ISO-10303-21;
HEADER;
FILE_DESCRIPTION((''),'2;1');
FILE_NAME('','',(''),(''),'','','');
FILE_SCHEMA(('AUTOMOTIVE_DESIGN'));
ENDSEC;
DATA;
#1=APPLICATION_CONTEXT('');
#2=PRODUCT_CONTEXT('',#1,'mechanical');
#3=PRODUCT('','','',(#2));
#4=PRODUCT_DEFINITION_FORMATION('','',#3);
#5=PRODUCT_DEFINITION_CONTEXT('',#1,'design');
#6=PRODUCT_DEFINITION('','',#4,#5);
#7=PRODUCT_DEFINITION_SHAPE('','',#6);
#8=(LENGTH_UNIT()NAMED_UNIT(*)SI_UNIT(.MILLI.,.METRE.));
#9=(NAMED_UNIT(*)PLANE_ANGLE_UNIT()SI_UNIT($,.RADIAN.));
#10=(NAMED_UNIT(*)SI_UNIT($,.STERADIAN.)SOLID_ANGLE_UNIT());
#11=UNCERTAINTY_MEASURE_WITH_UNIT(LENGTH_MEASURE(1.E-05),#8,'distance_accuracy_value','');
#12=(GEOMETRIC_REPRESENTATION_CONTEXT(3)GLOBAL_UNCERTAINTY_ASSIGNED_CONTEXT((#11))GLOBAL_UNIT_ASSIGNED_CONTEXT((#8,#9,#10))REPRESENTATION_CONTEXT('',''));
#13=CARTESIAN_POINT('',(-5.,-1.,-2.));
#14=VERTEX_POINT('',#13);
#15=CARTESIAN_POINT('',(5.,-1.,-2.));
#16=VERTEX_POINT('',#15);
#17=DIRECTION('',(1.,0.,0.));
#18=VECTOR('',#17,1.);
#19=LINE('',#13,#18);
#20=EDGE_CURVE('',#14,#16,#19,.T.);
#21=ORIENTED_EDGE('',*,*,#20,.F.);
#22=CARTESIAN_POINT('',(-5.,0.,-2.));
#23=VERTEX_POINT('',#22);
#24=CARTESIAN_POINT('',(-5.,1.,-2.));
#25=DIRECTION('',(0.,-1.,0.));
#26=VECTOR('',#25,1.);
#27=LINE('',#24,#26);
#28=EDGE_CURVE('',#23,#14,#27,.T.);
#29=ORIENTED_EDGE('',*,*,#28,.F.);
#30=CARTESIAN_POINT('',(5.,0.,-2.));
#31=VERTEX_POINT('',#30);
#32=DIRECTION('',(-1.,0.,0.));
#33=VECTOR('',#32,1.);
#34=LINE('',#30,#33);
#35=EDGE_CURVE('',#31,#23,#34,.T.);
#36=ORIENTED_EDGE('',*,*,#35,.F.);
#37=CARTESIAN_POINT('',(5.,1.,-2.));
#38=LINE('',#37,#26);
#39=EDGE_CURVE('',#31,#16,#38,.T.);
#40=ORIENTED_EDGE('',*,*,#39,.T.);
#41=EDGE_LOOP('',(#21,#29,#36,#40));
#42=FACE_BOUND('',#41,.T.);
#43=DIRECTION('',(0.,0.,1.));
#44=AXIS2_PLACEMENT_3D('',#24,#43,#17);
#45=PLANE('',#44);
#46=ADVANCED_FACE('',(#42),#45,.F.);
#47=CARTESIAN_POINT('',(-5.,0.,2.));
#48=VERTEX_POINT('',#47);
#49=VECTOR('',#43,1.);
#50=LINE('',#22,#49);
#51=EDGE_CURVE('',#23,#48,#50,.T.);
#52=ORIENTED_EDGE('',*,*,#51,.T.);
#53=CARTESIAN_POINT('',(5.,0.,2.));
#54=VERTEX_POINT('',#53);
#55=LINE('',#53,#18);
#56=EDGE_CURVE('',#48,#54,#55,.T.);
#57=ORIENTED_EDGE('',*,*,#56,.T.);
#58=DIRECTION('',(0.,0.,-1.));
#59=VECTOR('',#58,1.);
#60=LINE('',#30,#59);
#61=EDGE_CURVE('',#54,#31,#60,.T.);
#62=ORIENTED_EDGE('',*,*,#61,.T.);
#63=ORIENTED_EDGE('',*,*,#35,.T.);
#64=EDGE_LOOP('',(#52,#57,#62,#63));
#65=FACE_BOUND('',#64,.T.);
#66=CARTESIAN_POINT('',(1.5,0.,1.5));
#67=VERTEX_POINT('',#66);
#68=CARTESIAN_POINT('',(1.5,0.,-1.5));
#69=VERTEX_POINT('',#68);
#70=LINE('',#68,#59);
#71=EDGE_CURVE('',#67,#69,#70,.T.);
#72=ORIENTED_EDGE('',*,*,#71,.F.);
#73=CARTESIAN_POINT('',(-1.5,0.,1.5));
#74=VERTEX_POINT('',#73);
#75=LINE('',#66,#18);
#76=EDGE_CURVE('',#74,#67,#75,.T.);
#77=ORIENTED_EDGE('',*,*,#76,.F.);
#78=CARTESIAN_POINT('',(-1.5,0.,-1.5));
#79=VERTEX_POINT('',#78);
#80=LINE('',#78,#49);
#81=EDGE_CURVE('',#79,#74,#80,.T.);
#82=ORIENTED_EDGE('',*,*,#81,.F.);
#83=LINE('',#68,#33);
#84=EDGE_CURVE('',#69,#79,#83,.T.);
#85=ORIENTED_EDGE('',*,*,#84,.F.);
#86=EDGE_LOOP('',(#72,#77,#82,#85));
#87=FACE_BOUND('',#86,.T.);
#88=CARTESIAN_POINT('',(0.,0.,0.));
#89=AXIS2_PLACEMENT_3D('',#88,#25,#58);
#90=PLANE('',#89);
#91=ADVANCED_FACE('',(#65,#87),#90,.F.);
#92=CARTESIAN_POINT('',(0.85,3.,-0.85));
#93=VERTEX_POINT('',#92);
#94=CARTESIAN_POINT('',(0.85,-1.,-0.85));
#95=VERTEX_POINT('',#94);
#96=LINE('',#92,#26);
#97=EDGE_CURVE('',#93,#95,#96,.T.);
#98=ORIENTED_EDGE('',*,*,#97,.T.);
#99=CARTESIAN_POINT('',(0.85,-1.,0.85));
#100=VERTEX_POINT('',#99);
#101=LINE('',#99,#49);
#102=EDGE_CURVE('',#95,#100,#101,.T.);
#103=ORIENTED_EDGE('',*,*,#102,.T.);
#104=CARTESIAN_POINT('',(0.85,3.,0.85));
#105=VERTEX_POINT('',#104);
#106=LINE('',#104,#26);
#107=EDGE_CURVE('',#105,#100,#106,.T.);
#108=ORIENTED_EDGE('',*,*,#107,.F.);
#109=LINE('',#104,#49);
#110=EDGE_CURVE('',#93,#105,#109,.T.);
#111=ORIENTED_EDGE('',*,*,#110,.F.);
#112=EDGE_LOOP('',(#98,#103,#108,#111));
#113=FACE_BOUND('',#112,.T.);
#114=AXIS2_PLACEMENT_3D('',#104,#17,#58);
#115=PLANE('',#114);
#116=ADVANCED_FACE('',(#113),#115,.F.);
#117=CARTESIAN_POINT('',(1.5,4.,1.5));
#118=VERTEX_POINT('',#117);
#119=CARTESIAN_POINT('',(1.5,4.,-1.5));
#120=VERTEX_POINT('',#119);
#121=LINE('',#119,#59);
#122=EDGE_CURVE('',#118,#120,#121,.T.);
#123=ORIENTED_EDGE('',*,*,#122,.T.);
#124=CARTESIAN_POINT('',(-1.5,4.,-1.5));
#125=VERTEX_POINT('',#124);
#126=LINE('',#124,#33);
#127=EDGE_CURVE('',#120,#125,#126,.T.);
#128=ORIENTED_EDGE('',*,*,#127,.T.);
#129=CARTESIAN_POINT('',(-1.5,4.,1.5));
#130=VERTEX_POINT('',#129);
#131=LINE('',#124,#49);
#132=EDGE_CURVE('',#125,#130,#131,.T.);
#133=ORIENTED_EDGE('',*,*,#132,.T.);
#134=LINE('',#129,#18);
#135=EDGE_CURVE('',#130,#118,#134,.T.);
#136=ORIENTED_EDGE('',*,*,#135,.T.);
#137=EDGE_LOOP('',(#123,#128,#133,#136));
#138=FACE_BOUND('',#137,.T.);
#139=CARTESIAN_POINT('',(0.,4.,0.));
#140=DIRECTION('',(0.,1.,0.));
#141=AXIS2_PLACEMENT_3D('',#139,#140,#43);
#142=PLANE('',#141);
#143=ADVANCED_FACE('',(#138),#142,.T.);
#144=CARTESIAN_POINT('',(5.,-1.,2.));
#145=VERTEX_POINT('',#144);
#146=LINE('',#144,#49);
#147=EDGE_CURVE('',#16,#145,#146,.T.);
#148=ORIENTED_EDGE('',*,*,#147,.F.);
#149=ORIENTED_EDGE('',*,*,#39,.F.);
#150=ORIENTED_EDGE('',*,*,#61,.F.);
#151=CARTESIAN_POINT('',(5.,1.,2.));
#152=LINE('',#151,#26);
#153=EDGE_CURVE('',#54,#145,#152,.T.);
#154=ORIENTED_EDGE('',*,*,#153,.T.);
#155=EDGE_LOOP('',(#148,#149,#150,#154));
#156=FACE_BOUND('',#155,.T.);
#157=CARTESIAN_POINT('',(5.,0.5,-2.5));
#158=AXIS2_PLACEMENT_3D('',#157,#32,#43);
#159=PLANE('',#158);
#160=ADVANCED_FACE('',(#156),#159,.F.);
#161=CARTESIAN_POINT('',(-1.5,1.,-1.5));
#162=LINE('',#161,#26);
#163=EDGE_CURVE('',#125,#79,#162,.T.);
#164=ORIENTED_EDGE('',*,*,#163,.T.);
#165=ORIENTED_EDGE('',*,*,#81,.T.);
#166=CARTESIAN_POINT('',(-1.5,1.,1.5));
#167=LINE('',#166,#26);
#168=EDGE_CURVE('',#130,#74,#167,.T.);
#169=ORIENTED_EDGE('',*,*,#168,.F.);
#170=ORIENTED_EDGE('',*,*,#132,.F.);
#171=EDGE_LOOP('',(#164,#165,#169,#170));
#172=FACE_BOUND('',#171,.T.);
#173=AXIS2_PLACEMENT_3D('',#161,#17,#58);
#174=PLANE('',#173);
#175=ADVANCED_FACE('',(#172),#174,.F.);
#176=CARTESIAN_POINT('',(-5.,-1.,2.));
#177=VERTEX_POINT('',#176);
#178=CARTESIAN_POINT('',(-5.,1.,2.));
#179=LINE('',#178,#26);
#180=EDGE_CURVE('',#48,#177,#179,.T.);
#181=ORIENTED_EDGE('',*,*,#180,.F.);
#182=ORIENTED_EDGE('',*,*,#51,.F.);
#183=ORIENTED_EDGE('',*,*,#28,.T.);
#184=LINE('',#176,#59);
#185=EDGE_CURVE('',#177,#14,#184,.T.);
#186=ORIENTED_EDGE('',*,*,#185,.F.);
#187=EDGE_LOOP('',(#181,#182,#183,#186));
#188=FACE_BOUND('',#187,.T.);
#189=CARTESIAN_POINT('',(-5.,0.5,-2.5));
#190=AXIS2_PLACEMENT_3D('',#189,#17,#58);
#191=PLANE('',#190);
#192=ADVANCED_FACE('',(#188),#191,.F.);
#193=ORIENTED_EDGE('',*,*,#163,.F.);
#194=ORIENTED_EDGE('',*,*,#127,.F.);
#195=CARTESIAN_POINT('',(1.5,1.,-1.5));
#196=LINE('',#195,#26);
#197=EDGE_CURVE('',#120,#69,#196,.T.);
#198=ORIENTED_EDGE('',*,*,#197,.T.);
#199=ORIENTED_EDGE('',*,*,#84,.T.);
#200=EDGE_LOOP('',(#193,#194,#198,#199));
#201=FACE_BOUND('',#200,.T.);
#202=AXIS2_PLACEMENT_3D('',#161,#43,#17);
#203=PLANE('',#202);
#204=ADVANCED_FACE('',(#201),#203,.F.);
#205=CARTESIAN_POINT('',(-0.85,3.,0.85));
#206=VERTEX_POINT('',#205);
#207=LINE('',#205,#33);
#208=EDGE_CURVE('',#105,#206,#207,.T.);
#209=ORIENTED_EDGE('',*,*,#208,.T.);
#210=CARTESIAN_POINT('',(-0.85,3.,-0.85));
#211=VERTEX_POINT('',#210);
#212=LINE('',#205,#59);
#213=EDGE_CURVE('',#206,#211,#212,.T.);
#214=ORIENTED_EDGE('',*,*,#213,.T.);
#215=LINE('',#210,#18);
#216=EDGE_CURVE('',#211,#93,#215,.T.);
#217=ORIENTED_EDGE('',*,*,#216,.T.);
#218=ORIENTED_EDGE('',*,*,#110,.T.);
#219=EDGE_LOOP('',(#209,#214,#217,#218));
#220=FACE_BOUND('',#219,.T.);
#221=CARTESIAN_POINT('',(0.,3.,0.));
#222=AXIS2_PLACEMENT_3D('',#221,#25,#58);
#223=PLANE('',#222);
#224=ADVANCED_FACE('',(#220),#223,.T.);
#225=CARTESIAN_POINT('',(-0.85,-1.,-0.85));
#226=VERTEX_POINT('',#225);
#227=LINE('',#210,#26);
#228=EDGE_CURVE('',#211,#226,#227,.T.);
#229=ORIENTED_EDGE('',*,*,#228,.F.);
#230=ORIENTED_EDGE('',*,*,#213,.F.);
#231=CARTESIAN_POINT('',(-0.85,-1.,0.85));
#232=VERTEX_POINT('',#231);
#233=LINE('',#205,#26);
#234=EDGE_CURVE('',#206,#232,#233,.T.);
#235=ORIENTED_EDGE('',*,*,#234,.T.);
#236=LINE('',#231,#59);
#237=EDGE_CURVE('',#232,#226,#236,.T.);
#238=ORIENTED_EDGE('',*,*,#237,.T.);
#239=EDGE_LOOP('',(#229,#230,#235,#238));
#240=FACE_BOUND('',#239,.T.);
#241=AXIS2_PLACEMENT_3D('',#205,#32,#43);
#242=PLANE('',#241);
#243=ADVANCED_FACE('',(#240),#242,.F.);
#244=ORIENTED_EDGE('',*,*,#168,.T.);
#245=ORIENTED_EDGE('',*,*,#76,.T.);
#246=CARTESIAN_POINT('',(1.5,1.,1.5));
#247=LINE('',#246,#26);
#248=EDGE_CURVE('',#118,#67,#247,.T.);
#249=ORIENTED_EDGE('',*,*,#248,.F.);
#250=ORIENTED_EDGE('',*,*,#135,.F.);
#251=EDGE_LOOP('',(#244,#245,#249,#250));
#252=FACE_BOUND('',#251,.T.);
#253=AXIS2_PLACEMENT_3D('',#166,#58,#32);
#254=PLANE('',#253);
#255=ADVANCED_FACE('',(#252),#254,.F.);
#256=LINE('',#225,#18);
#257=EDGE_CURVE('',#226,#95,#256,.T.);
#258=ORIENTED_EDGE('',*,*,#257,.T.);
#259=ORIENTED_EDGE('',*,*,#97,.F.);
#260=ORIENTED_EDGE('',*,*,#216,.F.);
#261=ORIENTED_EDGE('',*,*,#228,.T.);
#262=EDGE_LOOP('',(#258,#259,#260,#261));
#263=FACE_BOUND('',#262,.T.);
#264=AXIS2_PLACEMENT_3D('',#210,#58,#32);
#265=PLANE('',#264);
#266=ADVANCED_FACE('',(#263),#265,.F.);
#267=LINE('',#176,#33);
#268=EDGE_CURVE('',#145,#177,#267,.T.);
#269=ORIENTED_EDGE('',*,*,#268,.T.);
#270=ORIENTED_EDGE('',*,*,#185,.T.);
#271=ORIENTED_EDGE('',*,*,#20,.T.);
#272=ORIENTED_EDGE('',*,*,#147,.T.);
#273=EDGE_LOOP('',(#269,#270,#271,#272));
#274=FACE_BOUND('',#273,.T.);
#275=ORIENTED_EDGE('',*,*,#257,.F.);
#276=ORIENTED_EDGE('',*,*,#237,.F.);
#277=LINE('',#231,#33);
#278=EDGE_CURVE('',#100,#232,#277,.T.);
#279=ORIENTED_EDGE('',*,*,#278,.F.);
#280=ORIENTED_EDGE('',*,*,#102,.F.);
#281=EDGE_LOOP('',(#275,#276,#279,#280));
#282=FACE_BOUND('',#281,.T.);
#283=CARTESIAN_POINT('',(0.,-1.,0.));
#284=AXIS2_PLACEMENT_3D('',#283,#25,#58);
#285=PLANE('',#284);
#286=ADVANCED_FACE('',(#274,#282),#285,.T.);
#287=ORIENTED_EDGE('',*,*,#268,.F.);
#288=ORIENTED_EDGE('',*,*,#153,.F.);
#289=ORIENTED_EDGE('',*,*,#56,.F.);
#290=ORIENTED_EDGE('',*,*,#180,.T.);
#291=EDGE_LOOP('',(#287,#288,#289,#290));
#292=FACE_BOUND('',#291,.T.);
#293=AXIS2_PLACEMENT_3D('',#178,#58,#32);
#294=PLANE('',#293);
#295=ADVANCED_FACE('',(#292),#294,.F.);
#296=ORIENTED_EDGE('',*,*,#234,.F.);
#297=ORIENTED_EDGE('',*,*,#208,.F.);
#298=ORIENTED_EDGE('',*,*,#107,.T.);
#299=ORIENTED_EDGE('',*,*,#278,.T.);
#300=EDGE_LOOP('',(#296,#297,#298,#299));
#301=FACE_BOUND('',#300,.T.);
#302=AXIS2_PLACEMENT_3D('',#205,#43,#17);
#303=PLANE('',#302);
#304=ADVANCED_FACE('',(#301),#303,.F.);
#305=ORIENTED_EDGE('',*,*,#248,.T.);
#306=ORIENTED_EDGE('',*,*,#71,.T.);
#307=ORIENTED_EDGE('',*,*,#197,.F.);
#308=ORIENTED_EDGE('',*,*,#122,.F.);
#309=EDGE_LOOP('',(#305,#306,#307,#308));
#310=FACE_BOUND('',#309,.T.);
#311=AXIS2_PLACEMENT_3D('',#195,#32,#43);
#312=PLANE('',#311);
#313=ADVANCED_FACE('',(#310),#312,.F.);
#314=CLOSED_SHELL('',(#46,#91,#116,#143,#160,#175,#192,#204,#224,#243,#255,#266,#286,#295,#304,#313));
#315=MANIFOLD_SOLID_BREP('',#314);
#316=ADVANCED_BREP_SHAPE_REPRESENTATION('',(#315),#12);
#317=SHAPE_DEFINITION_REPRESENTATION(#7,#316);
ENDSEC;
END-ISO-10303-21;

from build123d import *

# Parameters (mm, degrees)
SKETCH_1_W          = 10
SKETCH_1_H          = 5
EXTRUDE_1_DEPTH     = 0.5
SKETCH_2_W          = 3
SKETCH_2_H          = 3
EXTRUDE_2_DEPTH     = 0.5
SKETCH_3_W          = 10
SKETCH_3_H          = 5
EXTRUDE_3_DEPTH     = 0.5
EXTRUDE_4_DEPTH     = 5
CUT_EXTRUDE_3_DEPTH = 5
SKETCH_6_W          = 1.6
SKETCH_6_H          = 1.6
CUT_EXTRUDE_4_DEPTH = 1.5
SKETCH_7_W          = 10
SKETCH_7_H          = 0.5
CUT_EXTRUDE_5_DEPTH = 1
SKETCH_8_W          = 10
SKETCH_8_H          = 4
EXTRUDE_5_DEPTH     = 1
SKETCH_11_W         = 10
SKETCH_11_H         = 4
SKETCH_11_W_2       = 3
SKETCH_11_H_2       = 3
CUT_EXTRUDE_6_DEPTH = 0.5
CUT_EXTRUDE_7_REACH = 8.124
SKETCH_6_2_W        = 1.6
SKETCH_6_2_H        = 1.6
SKETCH_12_W         = 10
SKETCH_12_H         = 5
CUT_EXTRUDE_8_DEPTH = 6.937171044
SKETCH_13_W         = 3
SKETCH_13_H         = 3
EXTRUDE_6_DEPTH     = 3
SKETCH_14_W         = 1.7
SKETCH_14_H         = 1.7
CUT_EXTRUDE_9_DEPTH = 4


with BuildPart() as part:
    # 草图1 → 凸台-拉伸1 (new body)
    with BuildSketch(Plane(origin=(0, 0, 0), x_dir=(1, 0, 0), z_dir=(0, 1, 0))):
        Rectangle(SKETCH_1_W, SKETCH_1_H)
    extrude(amount=EXTRUDE_1_DEPTH)

    # 草图2 → 凸台-拉伸2 (add)
    with BuildSketch(Plane(origin=(0, 0.5, 0), x_dir=(1, 0, 0), z_dir=(0, 1, 0))):
        Rectangle(SKETCH_2_W, SKETCH_2_H)
    extrude(amount=EXTRUDE_2_DEPTH)

    # 草图3 → 凸台-拉伸3 (add)
    with BuildSketch(Plane(origin=(0, 1, 0), x_dir=(1, 0, 0), z_dir=(0, 1, 0))):
        Rectangle(SKETCH_3_W, SKETCH_3_H)
    extrude(amount=EXTRUDE_3_DEPTH)

    # 草图4 → 凸台-拉伸4 (add)
    with BuildSketch(Plane.XY.offset(2.5)):
        with BuildLine():
            Line((-5, 1.5), (5, 1.5))
            ThreePointArc((5, 1.5), (0, 2.5), (-5, 1.5))
        make_face()
    extrude(amount=-EXTRUDE_4_DEPTH)

    # 草图5 → 切除-拉伸3 (cut)
    with BuildSketch(Plane.XY.offset(2.5)):
        with BuildLine():
            Line((-4.75, 2.75), (-4.25, 2.75))
            Line((-4.25, 2.75), (-4.25, 1.535662375))
            ThreePointArc((-4.25, 1.535662375), (-4.50094573, 1.445961936), (-4.75, 1.35113631))
            Line((-4.75, 1.35113631), (-4.75, 2.75))
        make_face()
        with BuildLine():
            Line((-3.75, 2.75), (-3.75, 1.697389285))
            ThreePointArc((-3.75, 1.697389285), (-3.500697998, 1.769788877), (-3.25, 1.837195875))
            Line((-3.25, 1.837195875), (-3.25, 2.75))
            Line((-3.25, 2.75), (-3.75, 2.75))
        make_face()
        with BuildLine():
            Line((-2.75, 2.75), (-2.75, 1.95580576))
            ThreePointArc((-2.75, 1.95580576), (-2.500480176, 2.007256715), (-2.25, 2.053808027))
            Line((-2.25, 2.053808027), (-2.25, 2.75))
            Line((-2.25, 2.75), (-2.75, 2.75))
        make_face()
        with BuildLine():
            Line((-1.75, 2.75), (-1.75, 2.131673028))
            ThreePointArc((-1.75, 2.131673028), (-1.50028119, 2.163138904), (-1.25, 2.189764295))
            Line((-1.25, 2.189764295), (-1.25, 2.75))
            Line((-1.25, 2.75), (-1.75, 2.75))
        make_face()
        with BuildLine():
            Line((-0.75, 2.75), (-0.75, 2.228347352))
            ThreePointArc((-0.75, 2.228347352), (-0.500092618, 2.240377492), (-0.25, 2.247595932))
            Line((-0.25, 2.247595932), (-0.25, 2.75))
            Line((-0.25, 2.75), (-0.75, 2.75))
        make_face()
        with BuildLine():
            Line((0.25, 2.75), (0.25, 2.247595932))
            ThreePointArc((0.25, 2.247595932), (0.500092618, 2.240377492), (0.75, 2.228347352))
            Line((0.75, 2.228347352), (0.75, 2.75))
            Line((0.75, 2.75), (0.25, 2.75))
        make_face()
        with BuildLine():
            Line((1.25, 2.75), (1.25, 2.189764295))
            ThreePointArc((1.25, 2.189764295), (1.50028119, 2.163138904), (1.75, 2.131673028))
            Line((1.75, 2.131673028), (1.75, 2.75))
            Line((1.75, 2.75), (1.25, 2.75))
        make_face()
        with BuildLine():
            Line((2.25, 2.75), (2.25, 2.053808027))
            ThreePointArc((2.25, 2.053808027), (2.500480176, 2.007256715), (2.75, 1.95580576))
            Line((2.75, 1.95580576), (2.75, 2.75))
            Line((2.75, 2.75), (2.25, 2.75))
        make_face()
        with BuildLine():
            Line((3.25, 2.75), (3.25, 1.837195875))
            ThreePointArc((3.25, 1.837195875), (3.500697998, 1.769788877), (3.75, 1.697389285))
            Line((3.75, 1.697389285), (3.75, 2.75))
            Line((3.75, 2.75), (3.25, 2.75))
        make_face()
        with BuildLine():
            Line((4.25, 2.75), (4.25, 1.535662375))
            ThreePointArc((4.25, 1.535662375), (4.50094573, 1.445961936), (4.75, 1.35113631))
            Line((4.75, 1.35113631), (4.75, 2.75))
            Line((4.75, 2.75), (4.25, 2.75))
        make_face()
    extrude(amount=-CUT_EXTRUDE_3_DEPTH, mode=Mode.SUBTRACT)

    # 草图6 → 切除-拉伸4 (cut)
    with BuildSketch(Plane.XZ):
        Rectangle(SKETCH_6_W, SKETCH_6_H)
    extrude(amount=-CUT_EXTRUDE_4_DEPTH, mode=Mode.SUBTRACT)

    # 草图7 → 切除-拉伸5 (cut)
    with BuildSketch(Plane.XZ):
        with Locations((0, 2.25)):
            Rectangle(SKETCH_7_W, SKETCH_7_H)
        with Locations((0, -2.25)):
            Rectangle(SKETCH_7_W, SKETCH_7_H)
    extrude(amount=-CUT_EXTRUDE_5_DEPTH, mode=Mode.SUBTRACT)

    # 草图8 → 凸台-拉伸5 (add)
    with BuildSketch(Plane.XZ):
        Rectangle(SKETCH_8_W, SKETCH_8_H)
    extrude(amount=EXTRUDE_5_DEPTH)

    # 草图11 → 切除-拉伸6 (cut)
    with BuildSketch(Plane(origin=(0, 0.5, 0), x_dir=(1, 0, 0), z_dir=(0, 1, 0))):
        Rectangle(SKETCH_11_W, SKETCH_11_H)
        Rectangle(SKETCH_11_W_2, SKETCH_11_H_2, mode=Mode.SUBTRACT)
    extrude(amount=-CUT_EXTRUDE_6_DEPTH, mode=Mode.SUBTRACT)

    # 草图6<2> → 切除-拉伸7 (cut, up to next)
    with BuildSketch(Plane.XZ, mode=Mode.PRIVATE) as cut_extrude_7_sk1:
        Rectangle(SKETCH_6_2_W, SKETCH_6_2_H)
    cut_extrude_7_tool1 = extrude(cut_extrude_7_sk1.sketch, amount=CUT_EXTRUDE_7_REACH, mode=Mode.PRIVATE) & part.part
    add(cut_extrude_7_tool1.solids().sort_by_distance((0, 0, 0))[0], mode=Mode.SUBTRACT)

    # 草图12 → 切除-拉伸8 (cut, through all)
    with BuildSketch(Plane.XZ.offset(-1)):
        Rectangle(SKETCH_12_W, SKETCH_12_H)
    extrude(amount=-CUT_EXTRUDE_8_DEPTH, mode=Mode.SUBTRACT)

    # 草图13 → 凸台-拉伸6 (add)
    with BuildSketch(Plane(origin=(0, 1, 0), x_dir=(1, 0, 0), z_dir=(0, 1, 0))):
        Rectangle(SKETCH_13_W, SKETCH_13_H)
    extrude(amount=EXTRUDE_6_DEPTH)

    # 草图14 → 切除-拉伸9 (cut)
    with BuildSketch(Plane.XZ.offset(1)):
        Rectangle(SKETCH_14_W, SKETCH_14_H)
    extrude(amount=-CUT_EXTRUDE_9_DEPTH, mode=Mode.SUBTRACT)


solid = part.part
